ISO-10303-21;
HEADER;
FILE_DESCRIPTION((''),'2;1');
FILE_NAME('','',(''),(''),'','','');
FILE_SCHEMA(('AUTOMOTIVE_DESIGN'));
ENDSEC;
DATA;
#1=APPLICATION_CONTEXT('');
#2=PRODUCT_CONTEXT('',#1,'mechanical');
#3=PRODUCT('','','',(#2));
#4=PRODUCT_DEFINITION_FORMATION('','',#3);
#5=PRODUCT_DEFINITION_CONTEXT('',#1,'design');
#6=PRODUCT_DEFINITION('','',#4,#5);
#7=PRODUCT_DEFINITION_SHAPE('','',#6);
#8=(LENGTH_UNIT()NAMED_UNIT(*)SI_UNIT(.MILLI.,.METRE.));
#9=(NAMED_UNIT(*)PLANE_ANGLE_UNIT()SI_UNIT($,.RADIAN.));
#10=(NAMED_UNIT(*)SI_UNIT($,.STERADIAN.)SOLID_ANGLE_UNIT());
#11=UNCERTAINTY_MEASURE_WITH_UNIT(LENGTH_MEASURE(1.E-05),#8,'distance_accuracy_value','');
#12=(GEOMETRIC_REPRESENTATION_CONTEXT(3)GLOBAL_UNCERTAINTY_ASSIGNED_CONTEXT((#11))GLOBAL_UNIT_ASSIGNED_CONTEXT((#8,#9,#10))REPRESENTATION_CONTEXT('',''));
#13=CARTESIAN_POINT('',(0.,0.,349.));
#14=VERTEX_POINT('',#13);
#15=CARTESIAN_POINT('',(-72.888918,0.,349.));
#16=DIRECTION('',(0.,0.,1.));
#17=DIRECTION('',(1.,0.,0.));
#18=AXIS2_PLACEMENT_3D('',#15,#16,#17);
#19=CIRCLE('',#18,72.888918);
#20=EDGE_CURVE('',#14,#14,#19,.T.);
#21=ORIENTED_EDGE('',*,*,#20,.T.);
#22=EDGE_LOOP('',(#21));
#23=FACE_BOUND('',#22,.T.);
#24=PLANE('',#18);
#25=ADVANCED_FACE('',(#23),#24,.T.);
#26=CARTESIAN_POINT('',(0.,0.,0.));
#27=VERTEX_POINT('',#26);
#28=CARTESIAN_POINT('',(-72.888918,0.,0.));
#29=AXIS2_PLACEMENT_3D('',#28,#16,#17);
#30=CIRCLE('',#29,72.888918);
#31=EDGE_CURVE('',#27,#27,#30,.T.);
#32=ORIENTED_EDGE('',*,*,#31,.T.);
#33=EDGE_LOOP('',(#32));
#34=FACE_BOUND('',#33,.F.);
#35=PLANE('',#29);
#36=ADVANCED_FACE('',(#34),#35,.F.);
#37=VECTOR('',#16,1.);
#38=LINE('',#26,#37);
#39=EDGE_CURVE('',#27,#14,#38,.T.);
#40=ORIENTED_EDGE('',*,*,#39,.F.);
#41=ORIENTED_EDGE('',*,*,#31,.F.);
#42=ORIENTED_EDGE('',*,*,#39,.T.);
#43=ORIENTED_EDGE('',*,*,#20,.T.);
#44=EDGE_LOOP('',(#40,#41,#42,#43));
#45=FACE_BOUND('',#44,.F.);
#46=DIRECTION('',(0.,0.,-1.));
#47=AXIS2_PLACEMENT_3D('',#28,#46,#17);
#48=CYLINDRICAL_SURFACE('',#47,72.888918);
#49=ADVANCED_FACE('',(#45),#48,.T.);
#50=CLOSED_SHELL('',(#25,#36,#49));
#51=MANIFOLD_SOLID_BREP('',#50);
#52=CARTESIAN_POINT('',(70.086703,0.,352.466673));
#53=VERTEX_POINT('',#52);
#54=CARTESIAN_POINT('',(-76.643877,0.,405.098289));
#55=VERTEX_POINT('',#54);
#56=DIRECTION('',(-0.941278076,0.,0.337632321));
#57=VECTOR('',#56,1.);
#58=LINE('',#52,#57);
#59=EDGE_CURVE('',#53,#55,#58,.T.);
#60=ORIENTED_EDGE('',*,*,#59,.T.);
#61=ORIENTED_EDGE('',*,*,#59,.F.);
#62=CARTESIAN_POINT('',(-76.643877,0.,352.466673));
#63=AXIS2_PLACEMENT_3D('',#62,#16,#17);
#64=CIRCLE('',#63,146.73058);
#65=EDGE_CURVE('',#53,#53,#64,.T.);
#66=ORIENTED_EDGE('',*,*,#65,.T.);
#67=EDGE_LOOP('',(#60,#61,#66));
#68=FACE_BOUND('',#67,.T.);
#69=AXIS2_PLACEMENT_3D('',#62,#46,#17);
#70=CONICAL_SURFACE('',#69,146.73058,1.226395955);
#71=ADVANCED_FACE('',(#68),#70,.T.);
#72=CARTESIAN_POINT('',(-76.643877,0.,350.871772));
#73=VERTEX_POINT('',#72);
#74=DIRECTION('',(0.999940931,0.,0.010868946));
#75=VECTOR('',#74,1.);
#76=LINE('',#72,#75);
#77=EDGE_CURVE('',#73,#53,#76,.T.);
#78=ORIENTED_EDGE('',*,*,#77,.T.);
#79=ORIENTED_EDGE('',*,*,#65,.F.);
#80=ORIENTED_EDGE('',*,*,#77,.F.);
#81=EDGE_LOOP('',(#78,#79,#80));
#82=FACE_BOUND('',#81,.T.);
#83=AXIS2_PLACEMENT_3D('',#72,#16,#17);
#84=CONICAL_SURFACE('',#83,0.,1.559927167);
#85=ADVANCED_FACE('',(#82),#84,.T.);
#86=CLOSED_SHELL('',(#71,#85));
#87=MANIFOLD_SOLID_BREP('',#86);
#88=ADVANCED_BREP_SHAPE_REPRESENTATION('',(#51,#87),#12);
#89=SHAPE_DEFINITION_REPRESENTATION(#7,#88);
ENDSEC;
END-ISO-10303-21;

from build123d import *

# Parameters (mm, degrees)
F0_R     = 72.888918
F1_DEPTH = 349


with BuildPart() as f1:
    # F0 (on Top) → F1 (new body)
    with BuildSketch(Plane.XY):
        with Locations((-72.888918, 0)):
            Circle(F0_R)
    extrude(amount=F1_DEPTH)


with BuildPart() as f3:
    # F2 (on Front) → F3 (revolve)
    with BuildSketch(Plane.XZ):
        Polygon((-76.643877, 405.098289), (-76.643877, 350.871772), (70.086703, 352.466673), align=None)
    revolve(axis=Axis((-76.643877, 0, 377.98503), (0, 0, 1)))


solid = Compound([f1.part, f3.part])
